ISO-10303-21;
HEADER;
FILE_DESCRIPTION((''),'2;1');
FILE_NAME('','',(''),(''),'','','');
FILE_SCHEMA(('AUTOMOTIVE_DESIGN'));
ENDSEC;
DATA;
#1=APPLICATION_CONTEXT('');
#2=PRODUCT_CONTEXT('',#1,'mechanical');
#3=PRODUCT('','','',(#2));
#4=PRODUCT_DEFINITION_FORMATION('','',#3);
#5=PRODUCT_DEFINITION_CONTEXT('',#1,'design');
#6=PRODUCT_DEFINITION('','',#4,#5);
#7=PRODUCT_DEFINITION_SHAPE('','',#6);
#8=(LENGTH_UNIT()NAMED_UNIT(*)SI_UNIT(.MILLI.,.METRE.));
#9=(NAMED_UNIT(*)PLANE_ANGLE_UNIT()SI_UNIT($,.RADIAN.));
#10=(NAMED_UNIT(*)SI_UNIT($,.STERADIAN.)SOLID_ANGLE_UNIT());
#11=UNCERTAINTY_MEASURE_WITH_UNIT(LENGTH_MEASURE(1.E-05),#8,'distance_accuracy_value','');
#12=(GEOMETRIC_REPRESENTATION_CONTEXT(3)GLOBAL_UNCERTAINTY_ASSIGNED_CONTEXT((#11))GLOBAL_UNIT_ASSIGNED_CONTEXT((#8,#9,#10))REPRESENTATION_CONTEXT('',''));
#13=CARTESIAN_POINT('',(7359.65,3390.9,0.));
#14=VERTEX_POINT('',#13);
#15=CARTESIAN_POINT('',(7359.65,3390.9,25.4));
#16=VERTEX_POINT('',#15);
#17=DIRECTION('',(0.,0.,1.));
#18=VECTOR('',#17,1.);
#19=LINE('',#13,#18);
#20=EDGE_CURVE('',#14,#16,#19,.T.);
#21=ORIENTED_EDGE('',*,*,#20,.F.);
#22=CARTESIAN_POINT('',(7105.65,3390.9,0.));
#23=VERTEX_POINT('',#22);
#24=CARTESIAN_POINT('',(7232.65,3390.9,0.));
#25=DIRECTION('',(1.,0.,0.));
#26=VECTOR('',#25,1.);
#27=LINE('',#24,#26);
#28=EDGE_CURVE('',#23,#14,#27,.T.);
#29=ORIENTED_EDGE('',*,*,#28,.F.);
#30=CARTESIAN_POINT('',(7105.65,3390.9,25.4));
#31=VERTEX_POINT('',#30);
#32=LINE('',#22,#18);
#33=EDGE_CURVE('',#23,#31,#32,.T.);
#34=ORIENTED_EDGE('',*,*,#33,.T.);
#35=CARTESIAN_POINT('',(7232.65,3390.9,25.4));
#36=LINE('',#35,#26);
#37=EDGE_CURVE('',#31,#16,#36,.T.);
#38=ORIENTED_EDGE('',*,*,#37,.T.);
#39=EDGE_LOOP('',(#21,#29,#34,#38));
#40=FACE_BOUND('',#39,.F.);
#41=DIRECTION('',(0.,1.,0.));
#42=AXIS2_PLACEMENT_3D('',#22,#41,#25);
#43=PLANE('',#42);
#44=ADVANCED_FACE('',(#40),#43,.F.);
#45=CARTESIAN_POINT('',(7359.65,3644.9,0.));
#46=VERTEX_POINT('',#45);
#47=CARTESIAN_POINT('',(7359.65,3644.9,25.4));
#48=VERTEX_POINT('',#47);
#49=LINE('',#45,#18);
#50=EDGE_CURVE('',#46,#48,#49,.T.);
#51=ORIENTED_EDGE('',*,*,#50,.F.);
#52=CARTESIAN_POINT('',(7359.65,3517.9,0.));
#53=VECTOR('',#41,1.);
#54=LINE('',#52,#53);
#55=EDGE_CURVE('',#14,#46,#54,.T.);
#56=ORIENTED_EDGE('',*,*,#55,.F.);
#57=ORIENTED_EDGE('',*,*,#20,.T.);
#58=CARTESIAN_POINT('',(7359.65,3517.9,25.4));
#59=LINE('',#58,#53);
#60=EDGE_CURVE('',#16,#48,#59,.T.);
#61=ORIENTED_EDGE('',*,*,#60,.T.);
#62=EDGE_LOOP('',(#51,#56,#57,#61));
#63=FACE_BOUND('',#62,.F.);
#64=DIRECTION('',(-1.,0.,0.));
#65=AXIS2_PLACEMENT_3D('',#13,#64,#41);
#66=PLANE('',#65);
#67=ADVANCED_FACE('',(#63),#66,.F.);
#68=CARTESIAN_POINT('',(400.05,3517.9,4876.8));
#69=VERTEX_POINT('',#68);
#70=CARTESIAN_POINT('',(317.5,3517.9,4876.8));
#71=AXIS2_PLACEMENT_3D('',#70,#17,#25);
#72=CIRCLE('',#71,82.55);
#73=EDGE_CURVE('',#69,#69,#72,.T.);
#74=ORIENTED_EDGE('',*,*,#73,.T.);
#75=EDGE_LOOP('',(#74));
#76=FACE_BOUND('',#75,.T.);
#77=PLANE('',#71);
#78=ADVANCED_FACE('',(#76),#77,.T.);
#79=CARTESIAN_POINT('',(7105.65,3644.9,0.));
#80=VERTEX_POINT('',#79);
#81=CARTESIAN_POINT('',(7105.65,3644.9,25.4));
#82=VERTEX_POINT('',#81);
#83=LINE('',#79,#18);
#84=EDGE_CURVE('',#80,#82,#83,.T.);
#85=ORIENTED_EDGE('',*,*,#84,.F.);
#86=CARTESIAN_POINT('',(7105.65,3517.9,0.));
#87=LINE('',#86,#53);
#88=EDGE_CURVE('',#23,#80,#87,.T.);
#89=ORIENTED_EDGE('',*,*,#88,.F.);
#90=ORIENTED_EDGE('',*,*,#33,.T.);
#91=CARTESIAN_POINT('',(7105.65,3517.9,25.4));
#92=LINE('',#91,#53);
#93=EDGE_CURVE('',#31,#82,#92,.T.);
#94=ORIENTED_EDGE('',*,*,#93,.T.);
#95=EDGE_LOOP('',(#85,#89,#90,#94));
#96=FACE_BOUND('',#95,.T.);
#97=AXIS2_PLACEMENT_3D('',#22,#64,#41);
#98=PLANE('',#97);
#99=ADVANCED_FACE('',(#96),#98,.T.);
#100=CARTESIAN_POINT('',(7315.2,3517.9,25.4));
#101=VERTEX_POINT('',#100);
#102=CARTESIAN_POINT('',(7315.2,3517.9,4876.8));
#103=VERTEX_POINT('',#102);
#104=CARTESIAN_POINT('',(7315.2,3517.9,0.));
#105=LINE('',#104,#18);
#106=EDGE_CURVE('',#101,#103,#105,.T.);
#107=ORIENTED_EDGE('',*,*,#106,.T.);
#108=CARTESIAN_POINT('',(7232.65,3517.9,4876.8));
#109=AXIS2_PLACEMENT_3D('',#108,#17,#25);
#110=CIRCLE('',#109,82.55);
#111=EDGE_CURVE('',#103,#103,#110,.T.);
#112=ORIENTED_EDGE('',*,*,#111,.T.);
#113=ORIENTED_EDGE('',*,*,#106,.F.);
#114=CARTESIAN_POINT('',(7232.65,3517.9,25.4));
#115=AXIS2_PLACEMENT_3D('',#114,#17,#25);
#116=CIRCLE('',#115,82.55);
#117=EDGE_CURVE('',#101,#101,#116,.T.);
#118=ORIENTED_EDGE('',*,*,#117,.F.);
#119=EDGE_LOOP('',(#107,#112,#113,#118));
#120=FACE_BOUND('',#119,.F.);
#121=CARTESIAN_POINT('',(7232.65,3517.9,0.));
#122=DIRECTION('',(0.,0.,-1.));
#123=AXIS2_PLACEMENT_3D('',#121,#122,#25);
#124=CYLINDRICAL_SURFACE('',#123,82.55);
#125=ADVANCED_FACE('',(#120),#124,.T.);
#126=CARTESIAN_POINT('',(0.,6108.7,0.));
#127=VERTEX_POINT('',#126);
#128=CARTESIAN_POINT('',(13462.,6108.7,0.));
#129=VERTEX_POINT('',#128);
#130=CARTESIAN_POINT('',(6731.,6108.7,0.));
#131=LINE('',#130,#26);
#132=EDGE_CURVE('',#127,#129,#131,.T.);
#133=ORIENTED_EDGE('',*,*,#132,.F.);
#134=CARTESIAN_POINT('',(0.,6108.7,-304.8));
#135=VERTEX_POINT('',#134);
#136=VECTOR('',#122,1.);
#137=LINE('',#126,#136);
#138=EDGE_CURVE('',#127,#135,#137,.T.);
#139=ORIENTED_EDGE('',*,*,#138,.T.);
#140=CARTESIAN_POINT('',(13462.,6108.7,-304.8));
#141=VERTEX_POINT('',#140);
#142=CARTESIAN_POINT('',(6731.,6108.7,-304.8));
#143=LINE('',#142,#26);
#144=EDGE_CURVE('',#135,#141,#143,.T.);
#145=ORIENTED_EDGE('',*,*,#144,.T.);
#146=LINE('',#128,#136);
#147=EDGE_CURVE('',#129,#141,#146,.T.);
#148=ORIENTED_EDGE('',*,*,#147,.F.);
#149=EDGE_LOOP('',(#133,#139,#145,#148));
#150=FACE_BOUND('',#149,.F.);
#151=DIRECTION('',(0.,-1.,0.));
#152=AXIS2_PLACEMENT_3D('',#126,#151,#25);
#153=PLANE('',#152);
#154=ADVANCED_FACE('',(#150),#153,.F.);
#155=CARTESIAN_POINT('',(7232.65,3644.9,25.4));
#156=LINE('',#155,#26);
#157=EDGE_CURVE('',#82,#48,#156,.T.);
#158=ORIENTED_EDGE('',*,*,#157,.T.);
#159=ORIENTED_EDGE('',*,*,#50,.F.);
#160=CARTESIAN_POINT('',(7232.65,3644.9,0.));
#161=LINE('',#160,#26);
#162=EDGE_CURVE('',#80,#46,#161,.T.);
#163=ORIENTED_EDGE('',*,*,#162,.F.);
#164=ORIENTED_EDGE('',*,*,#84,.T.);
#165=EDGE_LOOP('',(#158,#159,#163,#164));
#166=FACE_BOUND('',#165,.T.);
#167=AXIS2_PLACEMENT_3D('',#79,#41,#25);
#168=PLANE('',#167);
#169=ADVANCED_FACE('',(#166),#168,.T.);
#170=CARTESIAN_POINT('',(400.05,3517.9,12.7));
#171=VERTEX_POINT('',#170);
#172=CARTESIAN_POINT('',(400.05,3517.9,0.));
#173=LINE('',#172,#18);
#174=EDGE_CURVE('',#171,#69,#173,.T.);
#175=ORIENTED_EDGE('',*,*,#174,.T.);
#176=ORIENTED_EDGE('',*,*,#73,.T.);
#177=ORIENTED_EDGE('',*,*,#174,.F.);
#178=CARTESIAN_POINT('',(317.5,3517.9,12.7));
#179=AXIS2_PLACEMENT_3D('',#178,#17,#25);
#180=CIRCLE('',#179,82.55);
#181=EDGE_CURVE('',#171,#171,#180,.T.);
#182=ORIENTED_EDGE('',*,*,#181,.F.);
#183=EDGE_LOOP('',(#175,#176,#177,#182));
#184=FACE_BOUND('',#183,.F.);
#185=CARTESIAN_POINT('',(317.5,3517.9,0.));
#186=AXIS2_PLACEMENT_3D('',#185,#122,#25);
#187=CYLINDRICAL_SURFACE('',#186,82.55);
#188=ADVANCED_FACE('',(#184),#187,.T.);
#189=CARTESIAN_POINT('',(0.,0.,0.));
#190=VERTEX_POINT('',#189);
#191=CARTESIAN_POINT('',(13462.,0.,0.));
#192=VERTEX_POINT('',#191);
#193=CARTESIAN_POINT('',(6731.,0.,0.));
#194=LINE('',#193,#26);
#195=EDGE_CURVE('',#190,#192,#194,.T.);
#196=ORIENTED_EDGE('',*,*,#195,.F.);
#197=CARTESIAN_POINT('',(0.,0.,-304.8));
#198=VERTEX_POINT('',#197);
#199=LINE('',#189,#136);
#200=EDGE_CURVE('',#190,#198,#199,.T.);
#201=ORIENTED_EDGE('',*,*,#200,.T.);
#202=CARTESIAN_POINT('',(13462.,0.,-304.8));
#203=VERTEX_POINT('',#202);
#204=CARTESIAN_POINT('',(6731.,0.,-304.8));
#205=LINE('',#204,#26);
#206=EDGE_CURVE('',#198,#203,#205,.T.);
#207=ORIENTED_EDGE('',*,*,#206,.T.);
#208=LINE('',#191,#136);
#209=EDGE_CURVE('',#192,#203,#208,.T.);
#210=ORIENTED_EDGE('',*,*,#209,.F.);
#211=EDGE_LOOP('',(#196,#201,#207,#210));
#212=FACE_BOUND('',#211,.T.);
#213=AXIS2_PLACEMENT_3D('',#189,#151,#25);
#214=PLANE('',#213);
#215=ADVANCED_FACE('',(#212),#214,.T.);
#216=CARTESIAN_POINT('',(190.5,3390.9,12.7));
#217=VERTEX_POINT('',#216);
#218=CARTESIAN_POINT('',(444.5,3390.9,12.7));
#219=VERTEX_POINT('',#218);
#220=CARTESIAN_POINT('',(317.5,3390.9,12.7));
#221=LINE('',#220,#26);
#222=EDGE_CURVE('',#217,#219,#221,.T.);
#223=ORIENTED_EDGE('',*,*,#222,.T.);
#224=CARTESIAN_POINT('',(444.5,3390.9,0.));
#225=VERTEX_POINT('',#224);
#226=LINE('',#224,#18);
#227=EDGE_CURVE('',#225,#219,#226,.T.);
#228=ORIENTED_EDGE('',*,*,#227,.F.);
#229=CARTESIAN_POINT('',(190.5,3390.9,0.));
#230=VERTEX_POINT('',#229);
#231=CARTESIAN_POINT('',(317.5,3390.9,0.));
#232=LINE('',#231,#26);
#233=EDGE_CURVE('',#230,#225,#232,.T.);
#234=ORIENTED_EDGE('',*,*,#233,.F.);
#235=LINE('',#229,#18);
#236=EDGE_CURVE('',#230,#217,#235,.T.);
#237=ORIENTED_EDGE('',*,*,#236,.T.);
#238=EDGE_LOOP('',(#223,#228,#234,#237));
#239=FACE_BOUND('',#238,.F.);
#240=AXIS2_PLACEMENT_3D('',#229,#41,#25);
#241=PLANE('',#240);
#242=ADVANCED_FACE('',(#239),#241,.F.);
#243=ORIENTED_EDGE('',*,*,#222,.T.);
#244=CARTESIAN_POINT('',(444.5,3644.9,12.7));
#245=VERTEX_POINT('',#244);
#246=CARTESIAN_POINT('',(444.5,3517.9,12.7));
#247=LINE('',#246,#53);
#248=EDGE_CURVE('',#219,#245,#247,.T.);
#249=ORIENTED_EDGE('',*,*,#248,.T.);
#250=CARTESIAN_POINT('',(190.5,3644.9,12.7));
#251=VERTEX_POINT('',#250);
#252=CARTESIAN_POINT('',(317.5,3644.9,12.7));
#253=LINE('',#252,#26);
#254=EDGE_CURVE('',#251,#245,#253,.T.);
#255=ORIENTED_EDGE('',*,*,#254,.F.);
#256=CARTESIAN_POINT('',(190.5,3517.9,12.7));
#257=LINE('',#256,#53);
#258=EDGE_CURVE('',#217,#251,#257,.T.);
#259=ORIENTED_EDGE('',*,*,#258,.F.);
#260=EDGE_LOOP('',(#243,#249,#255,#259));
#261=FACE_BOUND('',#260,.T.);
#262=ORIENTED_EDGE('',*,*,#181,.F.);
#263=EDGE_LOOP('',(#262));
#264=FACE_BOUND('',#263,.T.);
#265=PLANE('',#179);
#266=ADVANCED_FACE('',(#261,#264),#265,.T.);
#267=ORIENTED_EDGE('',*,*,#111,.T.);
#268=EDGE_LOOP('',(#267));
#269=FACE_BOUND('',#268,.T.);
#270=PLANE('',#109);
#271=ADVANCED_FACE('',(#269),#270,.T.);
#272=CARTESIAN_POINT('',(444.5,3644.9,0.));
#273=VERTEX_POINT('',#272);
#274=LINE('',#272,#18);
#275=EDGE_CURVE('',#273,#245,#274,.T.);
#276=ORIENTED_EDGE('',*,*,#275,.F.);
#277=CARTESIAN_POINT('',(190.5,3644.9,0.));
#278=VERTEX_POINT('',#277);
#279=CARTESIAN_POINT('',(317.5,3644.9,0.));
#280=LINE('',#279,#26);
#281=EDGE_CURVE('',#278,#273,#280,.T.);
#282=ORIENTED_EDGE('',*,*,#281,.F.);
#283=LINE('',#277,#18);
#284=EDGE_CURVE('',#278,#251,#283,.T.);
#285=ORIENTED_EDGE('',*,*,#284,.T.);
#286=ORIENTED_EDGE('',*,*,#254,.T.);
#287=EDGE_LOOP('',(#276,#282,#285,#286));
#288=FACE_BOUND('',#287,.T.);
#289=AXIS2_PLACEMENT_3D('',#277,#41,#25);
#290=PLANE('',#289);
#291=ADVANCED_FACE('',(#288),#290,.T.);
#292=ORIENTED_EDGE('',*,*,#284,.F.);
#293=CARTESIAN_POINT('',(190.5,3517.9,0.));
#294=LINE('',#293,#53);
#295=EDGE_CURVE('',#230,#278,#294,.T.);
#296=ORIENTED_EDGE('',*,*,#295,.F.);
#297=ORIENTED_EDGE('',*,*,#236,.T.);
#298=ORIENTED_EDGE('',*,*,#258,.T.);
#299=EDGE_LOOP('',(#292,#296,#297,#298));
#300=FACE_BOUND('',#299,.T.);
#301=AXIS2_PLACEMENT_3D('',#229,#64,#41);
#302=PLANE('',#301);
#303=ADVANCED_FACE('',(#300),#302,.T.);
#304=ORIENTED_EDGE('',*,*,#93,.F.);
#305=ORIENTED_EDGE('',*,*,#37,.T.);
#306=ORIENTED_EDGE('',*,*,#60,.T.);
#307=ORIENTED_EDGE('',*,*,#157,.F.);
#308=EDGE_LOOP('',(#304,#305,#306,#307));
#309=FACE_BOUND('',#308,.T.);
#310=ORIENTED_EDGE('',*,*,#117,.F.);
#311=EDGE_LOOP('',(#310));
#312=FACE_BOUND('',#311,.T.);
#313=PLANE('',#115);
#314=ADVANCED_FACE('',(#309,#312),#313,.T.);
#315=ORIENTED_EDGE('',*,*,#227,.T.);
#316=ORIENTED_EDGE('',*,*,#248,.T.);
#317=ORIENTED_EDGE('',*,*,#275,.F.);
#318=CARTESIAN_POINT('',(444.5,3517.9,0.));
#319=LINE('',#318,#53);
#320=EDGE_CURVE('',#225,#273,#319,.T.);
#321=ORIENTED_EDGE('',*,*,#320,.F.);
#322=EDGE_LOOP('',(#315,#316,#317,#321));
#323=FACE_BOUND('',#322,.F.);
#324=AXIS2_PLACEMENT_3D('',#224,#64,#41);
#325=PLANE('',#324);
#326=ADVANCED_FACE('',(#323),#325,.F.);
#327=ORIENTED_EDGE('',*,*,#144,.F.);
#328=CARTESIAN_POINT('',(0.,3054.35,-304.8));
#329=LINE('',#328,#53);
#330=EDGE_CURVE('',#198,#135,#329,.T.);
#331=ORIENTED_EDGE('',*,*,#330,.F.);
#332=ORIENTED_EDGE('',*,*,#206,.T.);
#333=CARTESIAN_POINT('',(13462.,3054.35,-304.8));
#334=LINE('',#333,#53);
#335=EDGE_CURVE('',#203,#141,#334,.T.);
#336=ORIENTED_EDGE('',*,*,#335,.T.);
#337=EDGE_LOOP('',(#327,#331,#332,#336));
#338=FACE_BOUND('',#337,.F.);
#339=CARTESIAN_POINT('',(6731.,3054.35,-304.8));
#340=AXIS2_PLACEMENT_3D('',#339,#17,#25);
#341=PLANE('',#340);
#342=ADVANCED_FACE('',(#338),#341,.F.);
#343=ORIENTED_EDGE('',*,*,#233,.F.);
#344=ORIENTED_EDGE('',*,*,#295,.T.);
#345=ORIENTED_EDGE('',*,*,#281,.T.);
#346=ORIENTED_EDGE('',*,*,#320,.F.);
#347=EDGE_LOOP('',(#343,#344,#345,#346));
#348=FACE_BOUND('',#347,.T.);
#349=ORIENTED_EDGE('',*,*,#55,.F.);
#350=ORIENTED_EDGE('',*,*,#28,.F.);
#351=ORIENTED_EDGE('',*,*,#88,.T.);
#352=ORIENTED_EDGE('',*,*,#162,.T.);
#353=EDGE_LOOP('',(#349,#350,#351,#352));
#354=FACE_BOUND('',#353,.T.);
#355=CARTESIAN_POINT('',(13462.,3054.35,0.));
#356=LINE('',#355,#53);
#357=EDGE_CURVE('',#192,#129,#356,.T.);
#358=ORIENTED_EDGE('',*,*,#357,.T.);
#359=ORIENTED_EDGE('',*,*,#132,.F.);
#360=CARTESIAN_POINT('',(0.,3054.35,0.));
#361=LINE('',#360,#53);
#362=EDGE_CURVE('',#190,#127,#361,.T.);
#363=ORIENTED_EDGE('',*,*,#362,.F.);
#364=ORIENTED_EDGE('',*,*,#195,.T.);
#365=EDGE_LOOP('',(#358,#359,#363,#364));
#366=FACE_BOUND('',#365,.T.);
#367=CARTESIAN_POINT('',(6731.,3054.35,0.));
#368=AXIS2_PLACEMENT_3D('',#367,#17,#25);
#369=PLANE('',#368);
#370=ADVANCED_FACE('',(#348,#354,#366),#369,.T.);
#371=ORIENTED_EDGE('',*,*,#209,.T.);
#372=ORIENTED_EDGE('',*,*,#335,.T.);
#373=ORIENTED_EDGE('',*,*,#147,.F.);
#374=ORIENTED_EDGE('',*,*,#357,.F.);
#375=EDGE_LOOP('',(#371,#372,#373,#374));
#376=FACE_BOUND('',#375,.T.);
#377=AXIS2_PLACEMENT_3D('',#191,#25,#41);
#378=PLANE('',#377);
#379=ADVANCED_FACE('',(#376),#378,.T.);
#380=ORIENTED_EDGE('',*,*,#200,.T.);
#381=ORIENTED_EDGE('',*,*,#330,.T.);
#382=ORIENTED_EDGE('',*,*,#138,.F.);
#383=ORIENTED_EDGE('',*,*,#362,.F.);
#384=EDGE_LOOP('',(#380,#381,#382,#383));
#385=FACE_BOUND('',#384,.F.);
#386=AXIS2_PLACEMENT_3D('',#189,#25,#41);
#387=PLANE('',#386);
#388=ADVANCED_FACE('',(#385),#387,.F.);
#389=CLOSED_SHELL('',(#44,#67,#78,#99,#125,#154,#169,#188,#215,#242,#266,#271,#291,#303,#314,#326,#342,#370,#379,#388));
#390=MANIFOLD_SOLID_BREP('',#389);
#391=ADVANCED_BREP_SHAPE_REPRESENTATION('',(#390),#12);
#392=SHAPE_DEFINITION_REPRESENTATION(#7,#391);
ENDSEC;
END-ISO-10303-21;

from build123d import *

# Parameters (mm, degrees)
F0_W     = 13462
F0_H     = 6108.7
F1_DEPTH = 304.8
F2_W     = 254
F2_H     = 254
F2_R     = 82.55
F3_DEPTH = 12.7
F4_DEPTH = 25.4
F5_DEPTH = 4876.8
F6_DEPTH = 4876.8


with BuildPart() as f1:
    # F0 (on Top) → F1 (new body)
    with BuildSketch(Plane.XY):
        with Locations((6731, 3054.35)):
            Rectangle(F0_W, F0_H)
    extrude(amount=-F1_DEPTH)

    # F2 (on face) → F3 (join)
    with BuildSketch(Plane.XY):
        with Locations((317.5, 3517.9)):
            Rectangle(F2_W, F2_H)
        with Locations((317.5, 3517.9)):
            Circle(F2_R, mode=Mode.SUBTRACT)
    extrude(amount=F3_DEPTH)

    # F2 (on face) → F4 (join)
    with BuildSketch(Plane.XY):
        with Locations((7232.65, 3517.9)):
            Rectangle(F2_W, F2_H)
        with Locations((7232.65, 3517.9)):
            Circle(F2_R, mode=Mode.SUBTRACT)
    extrude(amount=F4_DEPTH)

    # F2 (on face) → F5 (join)
    with BuildSketch(Plane.XY):
        with Locations((317.5, 3517.9)):
            Circle(F2_R)
    extrude(amount=F5_DEPTH)

    # F2 (on face) → F6 (join)
    with BuildSketch(Plane.XY):
        with Locations((7232.65, 3517.9)):
            Circle(F2_R)
    extrude(amount=F6_DEPTH)


solid = f1.part
